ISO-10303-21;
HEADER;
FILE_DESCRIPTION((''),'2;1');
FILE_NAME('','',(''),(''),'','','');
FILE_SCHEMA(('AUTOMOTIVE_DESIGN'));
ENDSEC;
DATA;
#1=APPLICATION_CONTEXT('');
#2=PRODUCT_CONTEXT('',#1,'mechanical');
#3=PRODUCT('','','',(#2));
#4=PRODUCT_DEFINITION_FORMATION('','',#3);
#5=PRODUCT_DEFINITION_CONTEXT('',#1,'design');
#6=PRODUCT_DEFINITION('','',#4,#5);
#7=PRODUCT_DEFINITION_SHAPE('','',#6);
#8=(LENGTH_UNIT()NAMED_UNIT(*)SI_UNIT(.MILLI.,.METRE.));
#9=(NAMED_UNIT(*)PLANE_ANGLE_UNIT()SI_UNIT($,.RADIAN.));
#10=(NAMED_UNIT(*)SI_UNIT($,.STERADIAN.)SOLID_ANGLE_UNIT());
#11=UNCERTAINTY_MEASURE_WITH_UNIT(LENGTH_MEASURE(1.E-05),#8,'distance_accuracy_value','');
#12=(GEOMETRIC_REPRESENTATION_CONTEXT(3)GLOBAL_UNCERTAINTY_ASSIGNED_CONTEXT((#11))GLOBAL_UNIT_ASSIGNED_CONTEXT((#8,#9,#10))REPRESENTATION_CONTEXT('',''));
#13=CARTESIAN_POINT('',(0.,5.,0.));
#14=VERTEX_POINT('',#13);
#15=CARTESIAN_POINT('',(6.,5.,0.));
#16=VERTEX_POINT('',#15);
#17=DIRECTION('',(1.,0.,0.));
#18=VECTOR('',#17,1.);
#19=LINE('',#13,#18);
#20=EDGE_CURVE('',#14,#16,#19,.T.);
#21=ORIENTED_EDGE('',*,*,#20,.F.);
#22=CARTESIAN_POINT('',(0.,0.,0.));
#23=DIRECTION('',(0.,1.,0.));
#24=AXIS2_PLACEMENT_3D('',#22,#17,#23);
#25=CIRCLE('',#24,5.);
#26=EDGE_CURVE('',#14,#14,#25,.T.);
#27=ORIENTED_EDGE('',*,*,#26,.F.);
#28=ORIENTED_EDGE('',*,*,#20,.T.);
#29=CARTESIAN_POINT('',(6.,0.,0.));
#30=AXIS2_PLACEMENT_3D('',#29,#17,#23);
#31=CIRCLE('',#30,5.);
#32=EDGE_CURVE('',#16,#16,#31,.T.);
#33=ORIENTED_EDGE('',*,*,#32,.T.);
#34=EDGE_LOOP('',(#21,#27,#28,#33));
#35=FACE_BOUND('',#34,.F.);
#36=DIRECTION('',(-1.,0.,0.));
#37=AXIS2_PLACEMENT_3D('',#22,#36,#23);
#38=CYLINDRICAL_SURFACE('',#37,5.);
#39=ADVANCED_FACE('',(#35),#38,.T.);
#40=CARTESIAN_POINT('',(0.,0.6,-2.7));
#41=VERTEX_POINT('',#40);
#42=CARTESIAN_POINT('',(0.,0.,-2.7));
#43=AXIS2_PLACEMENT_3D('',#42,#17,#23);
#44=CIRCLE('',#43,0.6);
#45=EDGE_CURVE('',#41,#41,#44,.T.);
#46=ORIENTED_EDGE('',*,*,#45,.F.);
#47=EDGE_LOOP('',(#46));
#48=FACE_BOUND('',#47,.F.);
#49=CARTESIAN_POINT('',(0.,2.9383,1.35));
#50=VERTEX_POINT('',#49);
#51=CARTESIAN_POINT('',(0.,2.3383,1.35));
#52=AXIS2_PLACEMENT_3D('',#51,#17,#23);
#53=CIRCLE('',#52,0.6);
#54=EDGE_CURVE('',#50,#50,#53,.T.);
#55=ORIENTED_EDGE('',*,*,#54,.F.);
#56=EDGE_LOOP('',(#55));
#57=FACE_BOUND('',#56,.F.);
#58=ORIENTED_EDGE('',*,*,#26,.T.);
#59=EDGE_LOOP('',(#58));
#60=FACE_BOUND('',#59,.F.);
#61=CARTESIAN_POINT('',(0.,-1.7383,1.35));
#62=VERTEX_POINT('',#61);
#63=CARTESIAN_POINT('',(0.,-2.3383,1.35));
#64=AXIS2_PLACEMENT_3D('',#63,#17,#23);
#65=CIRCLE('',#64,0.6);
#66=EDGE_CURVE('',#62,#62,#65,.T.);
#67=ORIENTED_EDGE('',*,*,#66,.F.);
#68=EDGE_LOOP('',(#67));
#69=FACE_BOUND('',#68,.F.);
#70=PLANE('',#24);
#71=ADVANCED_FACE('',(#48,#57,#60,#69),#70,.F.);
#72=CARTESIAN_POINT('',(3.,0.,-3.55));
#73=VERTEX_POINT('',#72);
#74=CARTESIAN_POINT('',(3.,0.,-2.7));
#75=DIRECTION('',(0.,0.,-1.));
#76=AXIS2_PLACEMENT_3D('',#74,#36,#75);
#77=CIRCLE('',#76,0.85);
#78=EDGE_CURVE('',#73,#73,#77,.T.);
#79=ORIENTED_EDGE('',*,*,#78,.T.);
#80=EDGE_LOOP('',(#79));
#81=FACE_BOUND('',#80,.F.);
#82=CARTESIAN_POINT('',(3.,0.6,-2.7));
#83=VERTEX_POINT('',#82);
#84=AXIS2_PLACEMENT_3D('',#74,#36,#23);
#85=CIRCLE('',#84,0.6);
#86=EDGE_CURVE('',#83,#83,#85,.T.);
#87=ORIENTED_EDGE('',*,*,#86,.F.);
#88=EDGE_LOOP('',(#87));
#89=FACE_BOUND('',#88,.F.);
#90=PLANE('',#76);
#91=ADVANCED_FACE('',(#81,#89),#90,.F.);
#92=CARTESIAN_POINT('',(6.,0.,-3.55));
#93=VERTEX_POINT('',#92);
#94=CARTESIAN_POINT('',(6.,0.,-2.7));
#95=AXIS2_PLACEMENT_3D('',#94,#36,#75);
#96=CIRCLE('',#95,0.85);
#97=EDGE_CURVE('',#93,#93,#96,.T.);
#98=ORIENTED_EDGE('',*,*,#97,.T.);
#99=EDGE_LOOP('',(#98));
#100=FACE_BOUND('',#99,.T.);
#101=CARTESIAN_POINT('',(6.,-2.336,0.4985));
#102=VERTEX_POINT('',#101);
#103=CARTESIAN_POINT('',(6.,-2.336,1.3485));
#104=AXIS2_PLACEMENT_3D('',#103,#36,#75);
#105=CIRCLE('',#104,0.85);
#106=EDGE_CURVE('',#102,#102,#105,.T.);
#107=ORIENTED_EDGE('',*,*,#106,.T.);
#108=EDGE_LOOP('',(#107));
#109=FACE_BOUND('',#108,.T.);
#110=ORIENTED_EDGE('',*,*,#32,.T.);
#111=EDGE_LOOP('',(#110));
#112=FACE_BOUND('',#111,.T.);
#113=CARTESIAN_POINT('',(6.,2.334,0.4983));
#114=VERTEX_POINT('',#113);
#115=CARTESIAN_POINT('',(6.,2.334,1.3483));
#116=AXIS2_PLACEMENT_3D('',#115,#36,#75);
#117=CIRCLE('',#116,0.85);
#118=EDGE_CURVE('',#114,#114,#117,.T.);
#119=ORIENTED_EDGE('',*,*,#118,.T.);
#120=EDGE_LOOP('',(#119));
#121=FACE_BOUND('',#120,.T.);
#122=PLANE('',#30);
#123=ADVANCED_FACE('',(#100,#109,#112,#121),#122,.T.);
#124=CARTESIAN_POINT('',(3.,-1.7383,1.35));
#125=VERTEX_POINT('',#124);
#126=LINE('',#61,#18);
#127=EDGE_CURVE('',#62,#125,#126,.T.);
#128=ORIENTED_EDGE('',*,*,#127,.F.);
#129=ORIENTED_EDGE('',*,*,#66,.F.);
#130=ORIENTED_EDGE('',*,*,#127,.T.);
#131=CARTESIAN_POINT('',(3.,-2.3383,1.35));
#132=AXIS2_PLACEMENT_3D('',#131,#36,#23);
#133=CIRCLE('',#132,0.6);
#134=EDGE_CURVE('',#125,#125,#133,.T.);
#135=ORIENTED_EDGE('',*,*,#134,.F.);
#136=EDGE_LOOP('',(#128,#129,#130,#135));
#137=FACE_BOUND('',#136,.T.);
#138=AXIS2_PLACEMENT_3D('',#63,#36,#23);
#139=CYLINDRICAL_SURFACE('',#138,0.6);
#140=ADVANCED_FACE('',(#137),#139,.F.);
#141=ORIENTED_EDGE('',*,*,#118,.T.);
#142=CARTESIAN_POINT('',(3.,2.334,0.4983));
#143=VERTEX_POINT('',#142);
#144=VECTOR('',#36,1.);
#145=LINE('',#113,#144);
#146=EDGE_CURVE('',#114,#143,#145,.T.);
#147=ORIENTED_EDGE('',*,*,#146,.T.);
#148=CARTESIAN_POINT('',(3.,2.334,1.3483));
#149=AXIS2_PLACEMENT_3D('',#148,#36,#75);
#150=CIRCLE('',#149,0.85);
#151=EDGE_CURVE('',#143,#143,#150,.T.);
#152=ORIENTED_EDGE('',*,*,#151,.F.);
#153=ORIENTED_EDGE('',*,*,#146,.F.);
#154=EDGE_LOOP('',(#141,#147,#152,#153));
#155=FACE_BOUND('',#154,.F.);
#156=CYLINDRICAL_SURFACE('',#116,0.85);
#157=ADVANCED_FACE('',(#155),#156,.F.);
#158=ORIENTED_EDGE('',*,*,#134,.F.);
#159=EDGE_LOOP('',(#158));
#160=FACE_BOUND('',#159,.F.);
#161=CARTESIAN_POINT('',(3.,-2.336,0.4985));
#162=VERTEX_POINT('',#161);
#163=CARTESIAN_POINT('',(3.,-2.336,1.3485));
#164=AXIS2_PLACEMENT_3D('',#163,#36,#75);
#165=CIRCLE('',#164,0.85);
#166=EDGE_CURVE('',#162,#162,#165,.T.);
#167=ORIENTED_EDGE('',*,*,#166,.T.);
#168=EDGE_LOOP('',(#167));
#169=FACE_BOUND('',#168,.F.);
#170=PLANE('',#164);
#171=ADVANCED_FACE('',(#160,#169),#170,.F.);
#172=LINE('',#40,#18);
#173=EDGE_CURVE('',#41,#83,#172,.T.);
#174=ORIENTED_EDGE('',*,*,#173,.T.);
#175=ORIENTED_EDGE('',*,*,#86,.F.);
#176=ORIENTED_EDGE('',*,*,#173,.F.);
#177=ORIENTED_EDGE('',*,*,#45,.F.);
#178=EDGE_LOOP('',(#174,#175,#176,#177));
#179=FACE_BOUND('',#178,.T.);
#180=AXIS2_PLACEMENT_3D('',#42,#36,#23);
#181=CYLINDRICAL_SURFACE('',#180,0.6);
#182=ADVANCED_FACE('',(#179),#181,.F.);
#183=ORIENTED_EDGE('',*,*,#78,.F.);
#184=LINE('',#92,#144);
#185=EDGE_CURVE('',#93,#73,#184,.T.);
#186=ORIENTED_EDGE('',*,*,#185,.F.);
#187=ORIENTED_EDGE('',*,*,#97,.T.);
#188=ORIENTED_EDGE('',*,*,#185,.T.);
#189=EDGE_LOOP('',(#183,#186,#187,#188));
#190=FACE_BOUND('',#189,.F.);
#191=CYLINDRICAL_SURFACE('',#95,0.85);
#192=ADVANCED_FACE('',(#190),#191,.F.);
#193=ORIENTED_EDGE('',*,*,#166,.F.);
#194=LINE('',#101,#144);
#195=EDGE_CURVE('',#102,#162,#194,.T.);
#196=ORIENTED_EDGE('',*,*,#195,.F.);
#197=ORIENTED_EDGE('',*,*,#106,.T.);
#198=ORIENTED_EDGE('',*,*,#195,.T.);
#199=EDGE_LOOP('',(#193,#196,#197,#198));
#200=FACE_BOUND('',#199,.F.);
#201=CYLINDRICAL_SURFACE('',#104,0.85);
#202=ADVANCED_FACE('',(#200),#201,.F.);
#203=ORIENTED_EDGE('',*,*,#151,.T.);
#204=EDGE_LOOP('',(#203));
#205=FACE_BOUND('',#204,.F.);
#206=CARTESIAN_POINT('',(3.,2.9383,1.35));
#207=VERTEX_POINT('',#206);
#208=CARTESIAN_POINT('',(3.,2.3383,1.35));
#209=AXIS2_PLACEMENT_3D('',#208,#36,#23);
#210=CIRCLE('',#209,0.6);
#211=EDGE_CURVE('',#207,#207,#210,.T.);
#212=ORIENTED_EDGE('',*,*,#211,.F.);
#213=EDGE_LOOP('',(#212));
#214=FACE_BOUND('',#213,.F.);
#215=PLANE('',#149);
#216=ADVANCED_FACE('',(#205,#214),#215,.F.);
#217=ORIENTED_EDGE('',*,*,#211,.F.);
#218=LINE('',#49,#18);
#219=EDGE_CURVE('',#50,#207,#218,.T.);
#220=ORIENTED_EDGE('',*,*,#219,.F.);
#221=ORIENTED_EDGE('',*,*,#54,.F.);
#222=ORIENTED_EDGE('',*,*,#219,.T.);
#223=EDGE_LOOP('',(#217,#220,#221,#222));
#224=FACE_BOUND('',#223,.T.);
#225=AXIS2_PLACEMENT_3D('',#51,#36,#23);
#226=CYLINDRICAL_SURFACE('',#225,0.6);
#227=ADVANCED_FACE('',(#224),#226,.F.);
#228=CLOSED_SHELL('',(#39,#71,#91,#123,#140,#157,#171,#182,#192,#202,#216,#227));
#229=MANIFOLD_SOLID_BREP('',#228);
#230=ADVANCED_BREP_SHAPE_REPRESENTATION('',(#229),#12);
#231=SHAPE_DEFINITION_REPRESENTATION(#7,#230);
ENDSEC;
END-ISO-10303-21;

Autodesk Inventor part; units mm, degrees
ref_plane "YZ Plane" through (0, 0, 0) normal (1, 0, 0) x (0, 1, 0)
ref_plane "XZ Plane" through (0, 0, 0) normal (0, 1, 0) x (-1, 0, 0)
ref_plane "XY Plane" through (0, 0, 0) normal (0, 0, 1) x (1, 0, 0)
sketch "Эскиз1" plane through (0, 0, 0) normal (1, 0, 0) x (0, 1, 0)
  circle A0 centre (0, 0) radius 5
  circle A1 centre (0, -2.7) radius 0.6
  circle A2 centre (0, 0) radius 2.7 construction
  circle A3 centre (-2.3383, 1.35) radius 0.6
  circle A4 centre (2.3383, 1.35) radius 0.6
  line L0 (0, 0) -> (5.4782, 3.1628) construction
  line L1 (0, 0) -> (-5.2011, 3.0029) construction
  line L2 (0, 0) -> (5.5612, 0) construction
  dimension "d1" = 10
  dimension "d3" = 1.2
  dimension "d24" = 5.4
  dimension "d25" = 1.2
  dimension "d26" = 1.2
  dimension "d53" = 120
  dimension "d54" = 30
extrude "Выдавливание1" add sketch "Эскиз1" along normal blind 6 contours A0 | A3 | A4
hole "Отверстие2" at (6, 0, -2.7) direction (-1, 0, 0) diameter 1.7 depth 3
extrude "Выдавливание2" cut sketch "Эскиз1" along normal blind 6 contours A3 | A4
sketch "Эскиз2" plane through (6, 0, 0) normal (1, 0, 0) x (0, 0, -1)
  point P0 (0, 0)
  point P1 (-1.3483, 2.334)
hole "Отверстие4" at (6, 2.334, 1.3483) direction (-1, 0, 0) diameter 1.7 depth 3
sketch "Эскиз3" plane through (6, 0, 0) normal (1, 0, 0) x (0, 0, -1)
  point P0 (0, 0)
  point P1 (-1.3485, -2.336)
hole "Отверстие5" at (6, -2.336, 1.3485) direction (-1, 0, 0) diameter 1.7 depth 3
equation "\"d1\" = inside"
equation "\"d3\" = 2 * pin_small_rad"
equation "\"d17\" = pin_big_dia"
equation "\"inside\" = 10"
equation "\"pin_small_rad\" = 0.6"
equation "\"pin_big_dia\" = 1.7"
properties part number "каркас" material "Пластмасса, непрозрачная, черная"
